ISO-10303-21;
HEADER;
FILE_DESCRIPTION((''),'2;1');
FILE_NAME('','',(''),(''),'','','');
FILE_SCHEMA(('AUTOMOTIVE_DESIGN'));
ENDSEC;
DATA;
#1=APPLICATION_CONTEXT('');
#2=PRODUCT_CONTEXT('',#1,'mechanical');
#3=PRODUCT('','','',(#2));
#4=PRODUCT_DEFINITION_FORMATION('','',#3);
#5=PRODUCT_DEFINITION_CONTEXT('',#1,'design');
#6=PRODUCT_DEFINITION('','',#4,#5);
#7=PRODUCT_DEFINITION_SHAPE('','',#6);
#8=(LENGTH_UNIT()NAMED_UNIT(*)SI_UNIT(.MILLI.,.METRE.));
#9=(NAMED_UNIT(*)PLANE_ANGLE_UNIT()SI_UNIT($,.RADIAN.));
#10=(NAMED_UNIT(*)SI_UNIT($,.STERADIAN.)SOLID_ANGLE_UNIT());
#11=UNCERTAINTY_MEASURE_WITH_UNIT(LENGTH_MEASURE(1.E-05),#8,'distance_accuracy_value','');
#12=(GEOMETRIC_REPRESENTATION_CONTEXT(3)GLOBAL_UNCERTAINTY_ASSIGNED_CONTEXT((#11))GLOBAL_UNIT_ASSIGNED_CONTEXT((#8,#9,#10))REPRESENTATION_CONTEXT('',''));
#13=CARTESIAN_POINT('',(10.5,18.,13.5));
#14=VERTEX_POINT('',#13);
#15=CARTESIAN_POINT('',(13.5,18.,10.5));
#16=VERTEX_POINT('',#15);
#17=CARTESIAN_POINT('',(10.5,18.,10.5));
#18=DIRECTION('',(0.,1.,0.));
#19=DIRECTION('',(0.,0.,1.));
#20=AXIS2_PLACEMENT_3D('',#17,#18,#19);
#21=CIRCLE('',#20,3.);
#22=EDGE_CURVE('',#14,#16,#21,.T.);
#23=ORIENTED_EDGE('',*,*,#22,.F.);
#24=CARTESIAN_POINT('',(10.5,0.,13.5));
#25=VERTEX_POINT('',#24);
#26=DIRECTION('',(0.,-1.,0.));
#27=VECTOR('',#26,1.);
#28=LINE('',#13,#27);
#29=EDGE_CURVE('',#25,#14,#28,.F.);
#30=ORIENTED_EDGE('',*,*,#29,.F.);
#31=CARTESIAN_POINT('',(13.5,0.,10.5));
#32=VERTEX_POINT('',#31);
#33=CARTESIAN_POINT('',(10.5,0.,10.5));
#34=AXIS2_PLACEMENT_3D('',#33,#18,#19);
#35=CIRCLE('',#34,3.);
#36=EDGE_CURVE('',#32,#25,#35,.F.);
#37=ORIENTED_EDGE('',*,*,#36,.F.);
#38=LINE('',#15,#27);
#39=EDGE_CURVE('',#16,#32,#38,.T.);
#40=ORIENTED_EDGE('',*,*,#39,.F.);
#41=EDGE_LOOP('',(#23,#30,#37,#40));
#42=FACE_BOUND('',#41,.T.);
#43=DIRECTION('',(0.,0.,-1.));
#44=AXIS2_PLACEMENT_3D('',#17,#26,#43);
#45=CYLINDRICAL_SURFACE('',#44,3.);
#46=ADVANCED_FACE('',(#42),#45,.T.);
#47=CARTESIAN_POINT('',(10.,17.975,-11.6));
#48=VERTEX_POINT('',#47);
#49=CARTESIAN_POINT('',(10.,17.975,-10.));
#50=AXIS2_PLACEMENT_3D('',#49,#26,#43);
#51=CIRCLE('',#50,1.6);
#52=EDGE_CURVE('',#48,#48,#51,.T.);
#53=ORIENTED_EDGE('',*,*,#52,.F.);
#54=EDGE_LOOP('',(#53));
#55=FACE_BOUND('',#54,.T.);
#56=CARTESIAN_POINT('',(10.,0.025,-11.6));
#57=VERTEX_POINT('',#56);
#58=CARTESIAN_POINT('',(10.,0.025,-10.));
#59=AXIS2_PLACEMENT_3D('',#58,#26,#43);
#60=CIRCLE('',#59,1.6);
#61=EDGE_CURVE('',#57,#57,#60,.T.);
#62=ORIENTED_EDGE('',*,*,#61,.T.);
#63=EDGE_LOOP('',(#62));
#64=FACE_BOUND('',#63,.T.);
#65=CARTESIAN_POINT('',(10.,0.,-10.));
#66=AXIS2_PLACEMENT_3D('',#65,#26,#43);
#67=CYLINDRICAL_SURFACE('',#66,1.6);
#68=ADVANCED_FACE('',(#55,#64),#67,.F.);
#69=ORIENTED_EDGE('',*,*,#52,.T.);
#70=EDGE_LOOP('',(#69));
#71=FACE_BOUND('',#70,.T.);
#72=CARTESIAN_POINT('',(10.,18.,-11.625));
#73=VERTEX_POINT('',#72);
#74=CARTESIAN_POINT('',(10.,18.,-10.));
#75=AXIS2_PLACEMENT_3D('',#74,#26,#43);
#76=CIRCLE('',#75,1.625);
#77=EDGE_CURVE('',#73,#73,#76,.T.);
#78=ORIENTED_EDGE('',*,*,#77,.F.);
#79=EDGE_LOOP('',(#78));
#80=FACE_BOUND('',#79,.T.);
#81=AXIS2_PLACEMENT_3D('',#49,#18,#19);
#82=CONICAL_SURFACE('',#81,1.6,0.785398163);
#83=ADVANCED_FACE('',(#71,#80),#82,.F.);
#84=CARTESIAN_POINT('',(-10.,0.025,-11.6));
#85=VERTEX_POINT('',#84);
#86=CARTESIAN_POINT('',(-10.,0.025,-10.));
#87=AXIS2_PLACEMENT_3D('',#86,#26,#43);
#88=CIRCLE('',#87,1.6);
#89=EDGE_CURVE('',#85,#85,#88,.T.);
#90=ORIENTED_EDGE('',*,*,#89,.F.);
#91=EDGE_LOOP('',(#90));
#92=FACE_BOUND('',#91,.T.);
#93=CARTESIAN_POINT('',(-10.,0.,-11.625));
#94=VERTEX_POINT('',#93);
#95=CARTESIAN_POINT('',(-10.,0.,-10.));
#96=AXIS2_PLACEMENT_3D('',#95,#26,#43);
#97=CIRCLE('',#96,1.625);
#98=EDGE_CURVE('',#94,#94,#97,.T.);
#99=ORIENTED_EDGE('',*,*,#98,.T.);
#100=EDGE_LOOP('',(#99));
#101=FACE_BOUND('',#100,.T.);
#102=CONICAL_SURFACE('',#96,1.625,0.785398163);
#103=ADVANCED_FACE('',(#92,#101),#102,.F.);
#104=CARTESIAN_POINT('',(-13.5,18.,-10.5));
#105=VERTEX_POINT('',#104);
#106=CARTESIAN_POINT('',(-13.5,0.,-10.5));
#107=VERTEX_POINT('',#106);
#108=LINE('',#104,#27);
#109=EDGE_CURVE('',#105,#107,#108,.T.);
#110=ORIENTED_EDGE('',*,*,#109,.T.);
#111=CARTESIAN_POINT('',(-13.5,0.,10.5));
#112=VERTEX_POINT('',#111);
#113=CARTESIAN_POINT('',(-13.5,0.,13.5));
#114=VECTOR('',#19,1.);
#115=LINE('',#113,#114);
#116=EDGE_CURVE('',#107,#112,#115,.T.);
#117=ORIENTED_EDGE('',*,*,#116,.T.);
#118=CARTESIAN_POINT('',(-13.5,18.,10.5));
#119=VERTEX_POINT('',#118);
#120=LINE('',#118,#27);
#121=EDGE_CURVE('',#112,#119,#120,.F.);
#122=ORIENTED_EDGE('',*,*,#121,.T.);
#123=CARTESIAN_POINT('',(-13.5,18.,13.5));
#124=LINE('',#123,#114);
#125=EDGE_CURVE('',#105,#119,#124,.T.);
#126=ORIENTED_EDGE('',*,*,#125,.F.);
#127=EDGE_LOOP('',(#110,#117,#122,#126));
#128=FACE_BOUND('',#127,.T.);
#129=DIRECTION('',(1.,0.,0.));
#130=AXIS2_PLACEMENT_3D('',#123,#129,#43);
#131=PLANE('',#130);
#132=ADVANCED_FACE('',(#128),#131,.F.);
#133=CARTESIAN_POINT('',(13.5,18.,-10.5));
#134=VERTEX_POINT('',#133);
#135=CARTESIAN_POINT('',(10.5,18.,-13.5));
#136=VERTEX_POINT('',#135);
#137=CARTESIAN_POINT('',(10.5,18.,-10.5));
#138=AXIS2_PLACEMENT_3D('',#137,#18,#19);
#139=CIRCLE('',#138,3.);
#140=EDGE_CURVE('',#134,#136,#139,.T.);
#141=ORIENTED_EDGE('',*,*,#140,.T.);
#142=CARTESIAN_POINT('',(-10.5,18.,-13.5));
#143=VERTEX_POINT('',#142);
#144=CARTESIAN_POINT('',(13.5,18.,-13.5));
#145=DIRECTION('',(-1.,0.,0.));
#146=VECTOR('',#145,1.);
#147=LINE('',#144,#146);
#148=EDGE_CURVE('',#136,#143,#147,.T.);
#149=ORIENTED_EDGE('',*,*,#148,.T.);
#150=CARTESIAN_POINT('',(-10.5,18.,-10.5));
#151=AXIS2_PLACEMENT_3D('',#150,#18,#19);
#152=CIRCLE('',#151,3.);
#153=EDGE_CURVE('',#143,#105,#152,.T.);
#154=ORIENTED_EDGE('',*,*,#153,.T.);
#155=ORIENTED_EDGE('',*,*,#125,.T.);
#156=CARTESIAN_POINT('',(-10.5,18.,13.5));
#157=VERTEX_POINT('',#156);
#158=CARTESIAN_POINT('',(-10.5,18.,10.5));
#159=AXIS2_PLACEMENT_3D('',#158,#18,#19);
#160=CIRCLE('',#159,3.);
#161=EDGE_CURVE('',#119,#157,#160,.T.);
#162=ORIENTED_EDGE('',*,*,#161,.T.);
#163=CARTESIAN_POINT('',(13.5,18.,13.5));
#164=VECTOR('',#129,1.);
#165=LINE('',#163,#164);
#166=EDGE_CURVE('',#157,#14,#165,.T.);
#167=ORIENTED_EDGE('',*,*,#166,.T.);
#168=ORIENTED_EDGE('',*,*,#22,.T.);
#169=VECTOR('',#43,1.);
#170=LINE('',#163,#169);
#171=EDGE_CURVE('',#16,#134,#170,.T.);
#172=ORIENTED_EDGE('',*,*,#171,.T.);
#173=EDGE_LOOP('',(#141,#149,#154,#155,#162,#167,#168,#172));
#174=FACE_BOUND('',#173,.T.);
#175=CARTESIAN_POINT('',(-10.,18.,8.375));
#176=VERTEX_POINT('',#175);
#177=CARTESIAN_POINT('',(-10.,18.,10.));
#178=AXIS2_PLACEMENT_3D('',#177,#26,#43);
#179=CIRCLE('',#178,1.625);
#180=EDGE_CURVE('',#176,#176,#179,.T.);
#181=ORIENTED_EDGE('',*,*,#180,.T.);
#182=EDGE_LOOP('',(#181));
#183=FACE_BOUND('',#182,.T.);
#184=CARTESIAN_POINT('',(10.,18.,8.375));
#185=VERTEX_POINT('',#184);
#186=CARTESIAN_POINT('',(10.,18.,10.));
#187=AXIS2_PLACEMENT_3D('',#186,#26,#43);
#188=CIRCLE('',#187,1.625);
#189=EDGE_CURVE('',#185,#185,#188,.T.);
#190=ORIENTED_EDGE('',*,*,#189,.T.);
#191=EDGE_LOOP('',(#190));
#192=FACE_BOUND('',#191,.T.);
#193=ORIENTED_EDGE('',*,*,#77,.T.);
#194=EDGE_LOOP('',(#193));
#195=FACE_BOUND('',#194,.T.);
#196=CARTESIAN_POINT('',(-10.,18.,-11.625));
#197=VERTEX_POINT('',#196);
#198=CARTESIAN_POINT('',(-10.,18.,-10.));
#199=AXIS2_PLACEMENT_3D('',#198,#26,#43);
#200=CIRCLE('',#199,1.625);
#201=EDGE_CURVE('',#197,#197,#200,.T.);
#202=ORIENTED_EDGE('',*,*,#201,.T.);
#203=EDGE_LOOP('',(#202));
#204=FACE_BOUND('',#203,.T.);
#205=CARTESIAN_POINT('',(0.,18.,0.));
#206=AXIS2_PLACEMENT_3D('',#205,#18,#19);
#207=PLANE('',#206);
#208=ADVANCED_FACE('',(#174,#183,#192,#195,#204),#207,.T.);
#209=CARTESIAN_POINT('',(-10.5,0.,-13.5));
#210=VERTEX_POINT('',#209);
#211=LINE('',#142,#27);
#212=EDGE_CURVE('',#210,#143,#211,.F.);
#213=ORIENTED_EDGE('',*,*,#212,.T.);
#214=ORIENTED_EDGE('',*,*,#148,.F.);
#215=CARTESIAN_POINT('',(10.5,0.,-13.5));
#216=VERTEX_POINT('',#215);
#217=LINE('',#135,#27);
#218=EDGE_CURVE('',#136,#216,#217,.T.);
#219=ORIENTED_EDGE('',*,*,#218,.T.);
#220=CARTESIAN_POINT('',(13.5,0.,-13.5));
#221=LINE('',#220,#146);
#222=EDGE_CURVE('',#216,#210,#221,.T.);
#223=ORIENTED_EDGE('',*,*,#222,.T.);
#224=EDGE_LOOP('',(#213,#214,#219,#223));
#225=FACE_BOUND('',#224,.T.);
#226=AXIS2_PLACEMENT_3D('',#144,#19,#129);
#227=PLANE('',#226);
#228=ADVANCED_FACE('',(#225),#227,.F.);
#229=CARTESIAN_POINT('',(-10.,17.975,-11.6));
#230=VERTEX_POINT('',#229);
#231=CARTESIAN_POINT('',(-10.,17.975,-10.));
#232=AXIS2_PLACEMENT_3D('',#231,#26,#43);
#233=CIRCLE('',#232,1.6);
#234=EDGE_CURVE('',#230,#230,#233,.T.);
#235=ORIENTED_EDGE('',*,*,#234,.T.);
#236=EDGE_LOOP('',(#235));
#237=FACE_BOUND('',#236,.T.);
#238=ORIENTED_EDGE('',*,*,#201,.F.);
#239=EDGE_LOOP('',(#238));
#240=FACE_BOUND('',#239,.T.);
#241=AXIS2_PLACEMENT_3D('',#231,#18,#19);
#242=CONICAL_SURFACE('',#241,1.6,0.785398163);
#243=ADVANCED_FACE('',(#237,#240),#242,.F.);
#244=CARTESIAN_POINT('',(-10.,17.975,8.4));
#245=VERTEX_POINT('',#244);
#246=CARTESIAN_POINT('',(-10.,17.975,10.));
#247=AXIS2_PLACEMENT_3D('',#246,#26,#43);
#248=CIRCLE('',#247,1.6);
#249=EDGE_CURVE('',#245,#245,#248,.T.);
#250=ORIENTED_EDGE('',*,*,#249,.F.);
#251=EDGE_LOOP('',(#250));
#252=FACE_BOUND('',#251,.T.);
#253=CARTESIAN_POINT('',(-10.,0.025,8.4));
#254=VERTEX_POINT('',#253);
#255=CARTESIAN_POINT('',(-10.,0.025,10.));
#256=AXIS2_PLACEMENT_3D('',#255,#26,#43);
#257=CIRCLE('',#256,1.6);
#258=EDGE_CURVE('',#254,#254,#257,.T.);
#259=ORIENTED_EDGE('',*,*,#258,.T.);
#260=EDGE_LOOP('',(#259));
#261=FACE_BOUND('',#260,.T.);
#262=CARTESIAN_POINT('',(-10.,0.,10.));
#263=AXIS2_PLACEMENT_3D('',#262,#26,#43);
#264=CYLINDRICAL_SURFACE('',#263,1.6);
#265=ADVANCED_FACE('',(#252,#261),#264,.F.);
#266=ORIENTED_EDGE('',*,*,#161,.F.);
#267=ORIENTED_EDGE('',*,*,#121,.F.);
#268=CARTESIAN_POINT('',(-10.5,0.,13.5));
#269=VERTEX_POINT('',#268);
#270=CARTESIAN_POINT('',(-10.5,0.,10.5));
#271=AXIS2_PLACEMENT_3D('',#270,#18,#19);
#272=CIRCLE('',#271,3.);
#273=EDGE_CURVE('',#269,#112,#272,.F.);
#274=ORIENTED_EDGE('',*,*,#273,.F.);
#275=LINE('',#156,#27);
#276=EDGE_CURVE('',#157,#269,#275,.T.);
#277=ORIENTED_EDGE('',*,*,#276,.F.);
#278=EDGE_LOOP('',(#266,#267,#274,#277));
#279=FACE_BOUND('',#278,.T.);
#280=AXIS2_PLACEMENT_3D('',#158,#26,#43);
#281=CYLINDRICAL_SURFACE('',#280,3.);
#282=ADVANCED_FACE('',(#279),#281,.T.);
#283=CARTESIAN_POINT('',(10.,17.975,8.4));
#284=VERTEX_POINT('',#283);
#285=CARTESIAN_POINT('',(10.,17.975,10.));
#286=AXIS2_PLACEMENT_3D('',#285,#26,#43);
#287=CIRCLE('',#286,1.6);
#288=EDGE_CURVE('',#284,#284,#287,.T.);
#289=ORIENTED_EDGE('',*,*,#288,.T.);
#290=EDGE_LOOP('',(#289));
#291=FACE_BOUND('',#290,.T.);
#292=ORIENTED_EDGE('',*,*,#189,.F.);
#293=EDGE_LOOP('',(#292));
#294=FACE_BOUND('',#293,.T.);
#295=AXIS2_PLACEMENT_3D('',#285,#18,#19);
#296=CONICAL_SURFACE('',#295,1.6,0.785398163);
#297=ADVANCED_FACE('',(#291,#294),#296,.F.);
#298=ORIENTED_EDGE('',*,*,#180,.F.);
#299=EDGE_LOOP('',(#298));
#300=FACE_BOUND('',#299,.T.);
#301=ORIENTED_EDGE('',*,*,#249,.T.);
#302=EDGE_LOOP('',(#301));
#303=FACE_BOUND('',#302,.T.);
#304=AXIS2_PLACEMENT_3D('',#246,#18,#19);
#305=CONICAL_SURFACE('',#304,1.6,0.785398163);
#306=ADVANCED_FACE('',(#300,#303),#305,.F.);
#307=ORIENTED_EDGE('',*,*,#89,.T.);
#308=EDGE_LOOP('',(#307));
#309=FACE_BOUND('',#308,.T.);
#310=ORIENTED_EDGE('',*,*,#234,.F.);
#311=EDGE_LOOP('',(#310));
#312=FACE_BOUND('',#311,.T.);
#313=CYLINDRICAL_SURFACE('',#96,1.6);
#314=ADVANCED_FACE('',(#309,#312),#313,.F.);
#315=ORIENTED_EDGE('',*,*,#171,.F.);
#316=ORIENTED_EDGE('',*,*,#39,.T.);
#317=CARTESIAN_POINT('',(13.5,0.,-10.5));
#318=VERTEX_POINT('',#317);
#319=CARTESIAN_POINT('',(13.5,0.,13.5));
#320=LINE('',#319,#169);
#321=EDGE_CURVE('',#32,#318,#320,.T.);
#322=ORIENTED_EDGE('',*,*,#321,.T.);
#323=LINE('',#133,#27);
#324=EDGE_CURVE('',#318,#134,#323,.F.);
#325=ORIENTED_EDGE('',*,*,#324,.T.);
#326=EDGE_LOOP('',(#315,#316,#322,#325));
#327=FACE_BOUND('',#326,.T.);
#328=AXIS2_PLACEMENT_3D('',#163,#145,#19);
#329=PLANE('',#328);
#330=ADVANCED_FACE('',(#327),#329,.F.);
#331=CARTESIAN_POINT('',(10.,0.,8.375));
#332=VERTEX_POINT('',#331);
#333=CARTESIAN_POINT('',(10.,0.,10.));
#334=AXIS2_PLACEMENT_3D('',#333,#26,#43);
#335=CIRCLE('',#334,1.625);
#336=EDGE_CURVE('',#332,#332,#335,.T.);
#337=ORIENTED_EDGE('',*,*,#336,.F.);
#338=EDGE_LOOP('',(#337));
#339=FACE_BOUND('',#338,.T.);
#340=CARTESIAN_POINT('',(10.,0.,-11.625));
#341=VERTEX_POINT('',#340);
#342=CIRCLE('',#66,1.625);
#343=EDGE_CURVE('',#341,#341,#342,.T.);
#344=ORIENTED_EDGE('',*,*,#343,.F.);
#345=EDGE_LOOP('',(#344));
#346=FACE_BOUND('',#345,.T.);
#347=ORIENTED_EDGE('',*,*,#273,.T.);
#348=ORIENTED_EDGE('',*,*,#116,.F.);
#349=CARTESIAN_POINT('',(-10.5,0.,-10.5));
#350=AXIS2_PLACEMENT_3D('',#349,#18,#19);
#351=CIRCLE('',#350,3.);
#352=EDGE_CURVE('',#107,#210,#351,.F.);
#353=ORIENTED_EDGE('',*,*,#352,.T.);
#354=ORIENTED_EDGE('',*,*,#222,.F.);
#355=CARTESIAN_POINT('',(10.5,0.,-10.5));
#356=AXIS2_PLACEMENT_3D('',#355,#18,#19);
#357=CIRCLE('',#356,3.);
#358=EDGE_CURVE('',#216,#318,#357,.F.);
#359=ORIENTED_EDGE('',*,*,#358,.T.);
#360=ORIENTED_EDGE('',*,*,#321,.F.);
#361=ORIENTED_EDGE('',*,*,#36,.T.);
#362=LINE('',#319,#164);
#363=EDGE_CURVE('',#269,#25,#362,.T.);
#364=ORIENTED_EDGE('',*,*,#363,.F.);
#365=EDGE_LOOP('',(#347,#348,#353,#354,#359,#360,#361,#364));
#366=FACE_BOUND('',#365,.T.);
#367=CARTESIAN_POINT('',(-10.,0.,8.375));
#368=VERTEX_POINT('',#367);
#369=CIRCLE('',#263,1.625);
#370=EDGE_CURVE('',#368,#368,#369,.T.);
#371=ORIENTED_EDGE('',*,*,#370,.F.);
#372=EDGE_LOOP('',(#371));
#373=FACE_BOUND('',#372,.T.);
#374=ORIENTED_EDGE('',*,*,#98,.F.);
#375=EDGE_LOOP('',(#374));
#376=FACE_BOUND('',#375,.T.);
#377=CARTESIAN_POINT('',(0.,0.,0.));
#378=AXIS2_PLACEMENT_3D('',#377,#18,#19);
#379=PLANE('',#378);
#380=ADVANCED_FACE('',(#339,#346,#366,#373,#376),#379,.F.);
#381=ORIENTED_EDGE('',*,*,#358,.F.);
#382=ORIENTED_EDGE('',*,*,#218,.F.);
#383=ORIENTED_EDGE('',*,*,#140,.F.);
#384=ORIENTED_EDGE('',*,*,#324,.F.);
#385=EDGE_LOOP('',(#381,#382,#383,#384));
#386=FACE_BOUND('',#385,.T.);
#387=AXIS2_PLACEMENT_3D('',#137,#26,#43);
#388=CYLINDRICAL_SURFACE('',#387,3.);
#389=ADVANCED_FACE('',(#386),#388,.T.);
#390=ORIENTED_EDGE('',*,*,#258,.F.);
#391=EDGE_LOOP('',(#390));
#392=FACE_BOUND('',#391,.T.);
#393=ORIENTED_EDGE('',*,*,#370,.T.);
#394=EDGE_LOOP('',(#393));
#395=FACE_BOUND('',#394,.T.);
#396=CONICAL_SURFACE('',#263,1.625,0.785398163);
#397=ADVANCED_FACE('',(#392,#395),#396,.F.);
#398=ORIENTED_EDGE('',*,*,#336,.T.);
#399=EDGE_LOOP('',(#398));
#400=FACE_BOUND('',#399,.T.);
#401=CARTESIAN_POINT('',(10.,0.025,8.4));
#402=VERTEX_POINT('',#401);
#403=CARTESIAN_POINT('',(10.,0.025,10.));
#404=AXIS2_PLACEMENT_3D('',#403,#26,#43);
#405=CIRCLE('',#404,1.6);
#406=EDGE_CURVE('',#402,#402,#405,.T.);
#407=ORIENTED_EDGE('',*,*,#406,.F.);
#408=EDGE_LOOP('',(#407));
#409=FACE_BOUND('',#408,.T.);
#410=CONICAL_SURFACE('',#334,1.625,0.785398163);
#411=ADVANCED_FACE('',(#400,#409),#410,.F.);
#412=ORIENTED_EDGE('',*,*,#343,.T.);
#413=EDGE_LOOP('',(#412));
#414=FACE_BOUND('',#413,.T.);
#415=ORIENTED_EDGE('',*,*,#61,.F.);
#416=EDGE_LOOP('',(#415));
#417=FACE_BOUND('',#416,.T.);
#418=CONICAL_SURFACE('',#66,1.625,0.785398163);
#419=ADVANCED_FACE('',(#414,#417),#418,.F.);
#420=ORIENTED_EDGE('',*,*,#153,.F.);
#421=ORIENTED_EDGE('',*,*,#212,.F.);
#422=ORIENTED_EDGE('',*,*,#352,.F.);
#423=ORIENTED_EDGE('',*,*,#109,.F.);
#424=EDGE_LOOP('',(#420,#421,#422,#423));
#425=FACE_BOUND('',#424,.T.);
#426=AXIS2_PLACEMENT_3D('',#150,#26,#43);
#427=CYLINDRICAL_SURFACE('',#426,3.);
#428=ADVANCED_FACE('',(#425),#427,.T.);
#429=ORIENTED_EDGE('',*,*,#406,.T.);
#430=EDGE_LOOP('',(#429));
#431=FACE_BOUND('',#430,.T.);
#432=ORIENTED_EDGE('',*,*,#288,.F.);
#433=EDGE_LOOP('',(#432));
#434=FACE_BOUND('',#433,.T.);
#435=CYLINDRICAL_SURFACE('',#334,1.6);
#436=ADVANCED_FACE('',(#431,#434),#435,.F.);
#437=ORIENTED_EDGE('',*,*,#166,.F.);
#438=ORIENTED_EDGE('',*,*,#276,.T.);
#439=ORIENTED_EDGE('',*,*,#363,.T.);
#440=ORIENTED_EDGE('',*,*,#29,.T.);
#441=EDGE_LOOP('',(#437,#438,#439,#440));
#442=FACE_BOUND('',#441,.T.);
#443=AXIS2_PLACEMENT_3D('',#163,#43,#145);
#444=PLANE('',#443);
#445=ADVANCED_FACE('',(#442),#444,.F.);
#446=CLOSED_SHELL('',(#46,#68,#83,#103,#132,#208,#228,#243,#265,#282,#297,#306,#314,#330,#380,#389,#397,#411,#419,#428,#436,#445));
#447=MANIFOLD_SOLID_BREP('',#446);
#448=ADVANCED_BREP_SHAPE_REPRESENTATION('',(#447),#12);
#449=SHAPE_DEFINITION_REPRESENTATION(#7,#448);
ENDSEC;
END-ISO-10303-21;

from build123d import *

# Parameters (mm, degrees)
SKETCH1_W                     = 27
SKETCH1_H                     = 27
BOSS_EXTRUDE1_DEPTH           = 18
M3_CLEARANCE_HOLE1_AT_2_COUNT = 2
M3_CLEARANCE_HOLE1_AT_2_PITCH = 20
M3_CLEARANCE_HOLE1_AT_3_COUNT = 2
M3_CLEARANCE_HOLE1_AT_3_PITCH = 28.284271247
M3_CLEARANCE_HOLE1_AT_4_COUNT = 2
M3_CLEARANCE_HOLE1_AT_4_PITCH = 20
FILLET1_R                     = 3


with BuildPart() as part:
    # Sketch1 → Boss-Extrude1 (new body)
    with BuildSketch(Plane(origin=(0, 0, 0), x_dir=(1, 0, 0), z_dir=(0, 1, 0))):
        Rectangle(SKETCH1_W, SKETCH1_H)
    extrude(amount=BOSS_EXTRUDE1_DEPTH)

    # Sketch4 → M3 Clearance Hole1 (revolve, cut)
    with BuildSketch(Plane(origin=(10, 0, -10), x_dir=(0, 0, -1), z_dir=(1, 0, 0))):
        Polygon((0, 0), (0, 18), (1.625, 18), (1.6, 17.975), (1.6, 0.025), (1.625, 0), align=None)
    m3_clearance_hole1 = revolve(axis=Axis((10, -6.35, -10), (0, 1, 0)), mode=Mode.SUBTRACT)

    # M3 Clearance Hole1 at 2: M3 Clearance Hole1 ×2
    with Locations(*[(-i * M3_CLEARANCE_HOLE1_AT_2_PITCH, 0, 0) for i in range(1, M3_CLEARANCE_HOLE1_AT_2_COUNT)]):
        add(m3_clearance_hole1, mode=Mode.SUBTRACT)

    # M3 Clearance Hole1 at 3: M3 Clearance Hole1 ×2
    with Locations(*[Vector(-0.7071067811865476, 0, 0.7071067811865475) * (i * M3_CLEARANCE_HOLE1_AT_3_PITCH) for i in range(1, M3_CLEARANCE_HOLE1_AT_3_COUNT)]):
        add(m3_clearance_hole1, mode=Mode.SUBTRACT)

    # M3 Clearance Hole1 at 4: M3 Clearance Hole1 ×2
    with Locations(*[(0, 0, i * M3_CLEARANCE_HOLE1_AT_4_PITCH) for i in range(1, M3_CLEARANCE_HOLE1_AT_4_COUNT)]):
        add(m3_clearance_hole1, mode=Mode.SUBTRACT)

    # Fillet1
    fillet1_edges = [part.edges().sort_by_distance(p)[0] for p in [
        (-13.5, 9, -13.5),
        (13.5, 9, -13.5),
        (13.5, 9, 13.5),
        (-13.5, 9, 13.5),
    ]]
    fillet(fillet1_edges, radius=FILLET1_R)


solid = part.part
